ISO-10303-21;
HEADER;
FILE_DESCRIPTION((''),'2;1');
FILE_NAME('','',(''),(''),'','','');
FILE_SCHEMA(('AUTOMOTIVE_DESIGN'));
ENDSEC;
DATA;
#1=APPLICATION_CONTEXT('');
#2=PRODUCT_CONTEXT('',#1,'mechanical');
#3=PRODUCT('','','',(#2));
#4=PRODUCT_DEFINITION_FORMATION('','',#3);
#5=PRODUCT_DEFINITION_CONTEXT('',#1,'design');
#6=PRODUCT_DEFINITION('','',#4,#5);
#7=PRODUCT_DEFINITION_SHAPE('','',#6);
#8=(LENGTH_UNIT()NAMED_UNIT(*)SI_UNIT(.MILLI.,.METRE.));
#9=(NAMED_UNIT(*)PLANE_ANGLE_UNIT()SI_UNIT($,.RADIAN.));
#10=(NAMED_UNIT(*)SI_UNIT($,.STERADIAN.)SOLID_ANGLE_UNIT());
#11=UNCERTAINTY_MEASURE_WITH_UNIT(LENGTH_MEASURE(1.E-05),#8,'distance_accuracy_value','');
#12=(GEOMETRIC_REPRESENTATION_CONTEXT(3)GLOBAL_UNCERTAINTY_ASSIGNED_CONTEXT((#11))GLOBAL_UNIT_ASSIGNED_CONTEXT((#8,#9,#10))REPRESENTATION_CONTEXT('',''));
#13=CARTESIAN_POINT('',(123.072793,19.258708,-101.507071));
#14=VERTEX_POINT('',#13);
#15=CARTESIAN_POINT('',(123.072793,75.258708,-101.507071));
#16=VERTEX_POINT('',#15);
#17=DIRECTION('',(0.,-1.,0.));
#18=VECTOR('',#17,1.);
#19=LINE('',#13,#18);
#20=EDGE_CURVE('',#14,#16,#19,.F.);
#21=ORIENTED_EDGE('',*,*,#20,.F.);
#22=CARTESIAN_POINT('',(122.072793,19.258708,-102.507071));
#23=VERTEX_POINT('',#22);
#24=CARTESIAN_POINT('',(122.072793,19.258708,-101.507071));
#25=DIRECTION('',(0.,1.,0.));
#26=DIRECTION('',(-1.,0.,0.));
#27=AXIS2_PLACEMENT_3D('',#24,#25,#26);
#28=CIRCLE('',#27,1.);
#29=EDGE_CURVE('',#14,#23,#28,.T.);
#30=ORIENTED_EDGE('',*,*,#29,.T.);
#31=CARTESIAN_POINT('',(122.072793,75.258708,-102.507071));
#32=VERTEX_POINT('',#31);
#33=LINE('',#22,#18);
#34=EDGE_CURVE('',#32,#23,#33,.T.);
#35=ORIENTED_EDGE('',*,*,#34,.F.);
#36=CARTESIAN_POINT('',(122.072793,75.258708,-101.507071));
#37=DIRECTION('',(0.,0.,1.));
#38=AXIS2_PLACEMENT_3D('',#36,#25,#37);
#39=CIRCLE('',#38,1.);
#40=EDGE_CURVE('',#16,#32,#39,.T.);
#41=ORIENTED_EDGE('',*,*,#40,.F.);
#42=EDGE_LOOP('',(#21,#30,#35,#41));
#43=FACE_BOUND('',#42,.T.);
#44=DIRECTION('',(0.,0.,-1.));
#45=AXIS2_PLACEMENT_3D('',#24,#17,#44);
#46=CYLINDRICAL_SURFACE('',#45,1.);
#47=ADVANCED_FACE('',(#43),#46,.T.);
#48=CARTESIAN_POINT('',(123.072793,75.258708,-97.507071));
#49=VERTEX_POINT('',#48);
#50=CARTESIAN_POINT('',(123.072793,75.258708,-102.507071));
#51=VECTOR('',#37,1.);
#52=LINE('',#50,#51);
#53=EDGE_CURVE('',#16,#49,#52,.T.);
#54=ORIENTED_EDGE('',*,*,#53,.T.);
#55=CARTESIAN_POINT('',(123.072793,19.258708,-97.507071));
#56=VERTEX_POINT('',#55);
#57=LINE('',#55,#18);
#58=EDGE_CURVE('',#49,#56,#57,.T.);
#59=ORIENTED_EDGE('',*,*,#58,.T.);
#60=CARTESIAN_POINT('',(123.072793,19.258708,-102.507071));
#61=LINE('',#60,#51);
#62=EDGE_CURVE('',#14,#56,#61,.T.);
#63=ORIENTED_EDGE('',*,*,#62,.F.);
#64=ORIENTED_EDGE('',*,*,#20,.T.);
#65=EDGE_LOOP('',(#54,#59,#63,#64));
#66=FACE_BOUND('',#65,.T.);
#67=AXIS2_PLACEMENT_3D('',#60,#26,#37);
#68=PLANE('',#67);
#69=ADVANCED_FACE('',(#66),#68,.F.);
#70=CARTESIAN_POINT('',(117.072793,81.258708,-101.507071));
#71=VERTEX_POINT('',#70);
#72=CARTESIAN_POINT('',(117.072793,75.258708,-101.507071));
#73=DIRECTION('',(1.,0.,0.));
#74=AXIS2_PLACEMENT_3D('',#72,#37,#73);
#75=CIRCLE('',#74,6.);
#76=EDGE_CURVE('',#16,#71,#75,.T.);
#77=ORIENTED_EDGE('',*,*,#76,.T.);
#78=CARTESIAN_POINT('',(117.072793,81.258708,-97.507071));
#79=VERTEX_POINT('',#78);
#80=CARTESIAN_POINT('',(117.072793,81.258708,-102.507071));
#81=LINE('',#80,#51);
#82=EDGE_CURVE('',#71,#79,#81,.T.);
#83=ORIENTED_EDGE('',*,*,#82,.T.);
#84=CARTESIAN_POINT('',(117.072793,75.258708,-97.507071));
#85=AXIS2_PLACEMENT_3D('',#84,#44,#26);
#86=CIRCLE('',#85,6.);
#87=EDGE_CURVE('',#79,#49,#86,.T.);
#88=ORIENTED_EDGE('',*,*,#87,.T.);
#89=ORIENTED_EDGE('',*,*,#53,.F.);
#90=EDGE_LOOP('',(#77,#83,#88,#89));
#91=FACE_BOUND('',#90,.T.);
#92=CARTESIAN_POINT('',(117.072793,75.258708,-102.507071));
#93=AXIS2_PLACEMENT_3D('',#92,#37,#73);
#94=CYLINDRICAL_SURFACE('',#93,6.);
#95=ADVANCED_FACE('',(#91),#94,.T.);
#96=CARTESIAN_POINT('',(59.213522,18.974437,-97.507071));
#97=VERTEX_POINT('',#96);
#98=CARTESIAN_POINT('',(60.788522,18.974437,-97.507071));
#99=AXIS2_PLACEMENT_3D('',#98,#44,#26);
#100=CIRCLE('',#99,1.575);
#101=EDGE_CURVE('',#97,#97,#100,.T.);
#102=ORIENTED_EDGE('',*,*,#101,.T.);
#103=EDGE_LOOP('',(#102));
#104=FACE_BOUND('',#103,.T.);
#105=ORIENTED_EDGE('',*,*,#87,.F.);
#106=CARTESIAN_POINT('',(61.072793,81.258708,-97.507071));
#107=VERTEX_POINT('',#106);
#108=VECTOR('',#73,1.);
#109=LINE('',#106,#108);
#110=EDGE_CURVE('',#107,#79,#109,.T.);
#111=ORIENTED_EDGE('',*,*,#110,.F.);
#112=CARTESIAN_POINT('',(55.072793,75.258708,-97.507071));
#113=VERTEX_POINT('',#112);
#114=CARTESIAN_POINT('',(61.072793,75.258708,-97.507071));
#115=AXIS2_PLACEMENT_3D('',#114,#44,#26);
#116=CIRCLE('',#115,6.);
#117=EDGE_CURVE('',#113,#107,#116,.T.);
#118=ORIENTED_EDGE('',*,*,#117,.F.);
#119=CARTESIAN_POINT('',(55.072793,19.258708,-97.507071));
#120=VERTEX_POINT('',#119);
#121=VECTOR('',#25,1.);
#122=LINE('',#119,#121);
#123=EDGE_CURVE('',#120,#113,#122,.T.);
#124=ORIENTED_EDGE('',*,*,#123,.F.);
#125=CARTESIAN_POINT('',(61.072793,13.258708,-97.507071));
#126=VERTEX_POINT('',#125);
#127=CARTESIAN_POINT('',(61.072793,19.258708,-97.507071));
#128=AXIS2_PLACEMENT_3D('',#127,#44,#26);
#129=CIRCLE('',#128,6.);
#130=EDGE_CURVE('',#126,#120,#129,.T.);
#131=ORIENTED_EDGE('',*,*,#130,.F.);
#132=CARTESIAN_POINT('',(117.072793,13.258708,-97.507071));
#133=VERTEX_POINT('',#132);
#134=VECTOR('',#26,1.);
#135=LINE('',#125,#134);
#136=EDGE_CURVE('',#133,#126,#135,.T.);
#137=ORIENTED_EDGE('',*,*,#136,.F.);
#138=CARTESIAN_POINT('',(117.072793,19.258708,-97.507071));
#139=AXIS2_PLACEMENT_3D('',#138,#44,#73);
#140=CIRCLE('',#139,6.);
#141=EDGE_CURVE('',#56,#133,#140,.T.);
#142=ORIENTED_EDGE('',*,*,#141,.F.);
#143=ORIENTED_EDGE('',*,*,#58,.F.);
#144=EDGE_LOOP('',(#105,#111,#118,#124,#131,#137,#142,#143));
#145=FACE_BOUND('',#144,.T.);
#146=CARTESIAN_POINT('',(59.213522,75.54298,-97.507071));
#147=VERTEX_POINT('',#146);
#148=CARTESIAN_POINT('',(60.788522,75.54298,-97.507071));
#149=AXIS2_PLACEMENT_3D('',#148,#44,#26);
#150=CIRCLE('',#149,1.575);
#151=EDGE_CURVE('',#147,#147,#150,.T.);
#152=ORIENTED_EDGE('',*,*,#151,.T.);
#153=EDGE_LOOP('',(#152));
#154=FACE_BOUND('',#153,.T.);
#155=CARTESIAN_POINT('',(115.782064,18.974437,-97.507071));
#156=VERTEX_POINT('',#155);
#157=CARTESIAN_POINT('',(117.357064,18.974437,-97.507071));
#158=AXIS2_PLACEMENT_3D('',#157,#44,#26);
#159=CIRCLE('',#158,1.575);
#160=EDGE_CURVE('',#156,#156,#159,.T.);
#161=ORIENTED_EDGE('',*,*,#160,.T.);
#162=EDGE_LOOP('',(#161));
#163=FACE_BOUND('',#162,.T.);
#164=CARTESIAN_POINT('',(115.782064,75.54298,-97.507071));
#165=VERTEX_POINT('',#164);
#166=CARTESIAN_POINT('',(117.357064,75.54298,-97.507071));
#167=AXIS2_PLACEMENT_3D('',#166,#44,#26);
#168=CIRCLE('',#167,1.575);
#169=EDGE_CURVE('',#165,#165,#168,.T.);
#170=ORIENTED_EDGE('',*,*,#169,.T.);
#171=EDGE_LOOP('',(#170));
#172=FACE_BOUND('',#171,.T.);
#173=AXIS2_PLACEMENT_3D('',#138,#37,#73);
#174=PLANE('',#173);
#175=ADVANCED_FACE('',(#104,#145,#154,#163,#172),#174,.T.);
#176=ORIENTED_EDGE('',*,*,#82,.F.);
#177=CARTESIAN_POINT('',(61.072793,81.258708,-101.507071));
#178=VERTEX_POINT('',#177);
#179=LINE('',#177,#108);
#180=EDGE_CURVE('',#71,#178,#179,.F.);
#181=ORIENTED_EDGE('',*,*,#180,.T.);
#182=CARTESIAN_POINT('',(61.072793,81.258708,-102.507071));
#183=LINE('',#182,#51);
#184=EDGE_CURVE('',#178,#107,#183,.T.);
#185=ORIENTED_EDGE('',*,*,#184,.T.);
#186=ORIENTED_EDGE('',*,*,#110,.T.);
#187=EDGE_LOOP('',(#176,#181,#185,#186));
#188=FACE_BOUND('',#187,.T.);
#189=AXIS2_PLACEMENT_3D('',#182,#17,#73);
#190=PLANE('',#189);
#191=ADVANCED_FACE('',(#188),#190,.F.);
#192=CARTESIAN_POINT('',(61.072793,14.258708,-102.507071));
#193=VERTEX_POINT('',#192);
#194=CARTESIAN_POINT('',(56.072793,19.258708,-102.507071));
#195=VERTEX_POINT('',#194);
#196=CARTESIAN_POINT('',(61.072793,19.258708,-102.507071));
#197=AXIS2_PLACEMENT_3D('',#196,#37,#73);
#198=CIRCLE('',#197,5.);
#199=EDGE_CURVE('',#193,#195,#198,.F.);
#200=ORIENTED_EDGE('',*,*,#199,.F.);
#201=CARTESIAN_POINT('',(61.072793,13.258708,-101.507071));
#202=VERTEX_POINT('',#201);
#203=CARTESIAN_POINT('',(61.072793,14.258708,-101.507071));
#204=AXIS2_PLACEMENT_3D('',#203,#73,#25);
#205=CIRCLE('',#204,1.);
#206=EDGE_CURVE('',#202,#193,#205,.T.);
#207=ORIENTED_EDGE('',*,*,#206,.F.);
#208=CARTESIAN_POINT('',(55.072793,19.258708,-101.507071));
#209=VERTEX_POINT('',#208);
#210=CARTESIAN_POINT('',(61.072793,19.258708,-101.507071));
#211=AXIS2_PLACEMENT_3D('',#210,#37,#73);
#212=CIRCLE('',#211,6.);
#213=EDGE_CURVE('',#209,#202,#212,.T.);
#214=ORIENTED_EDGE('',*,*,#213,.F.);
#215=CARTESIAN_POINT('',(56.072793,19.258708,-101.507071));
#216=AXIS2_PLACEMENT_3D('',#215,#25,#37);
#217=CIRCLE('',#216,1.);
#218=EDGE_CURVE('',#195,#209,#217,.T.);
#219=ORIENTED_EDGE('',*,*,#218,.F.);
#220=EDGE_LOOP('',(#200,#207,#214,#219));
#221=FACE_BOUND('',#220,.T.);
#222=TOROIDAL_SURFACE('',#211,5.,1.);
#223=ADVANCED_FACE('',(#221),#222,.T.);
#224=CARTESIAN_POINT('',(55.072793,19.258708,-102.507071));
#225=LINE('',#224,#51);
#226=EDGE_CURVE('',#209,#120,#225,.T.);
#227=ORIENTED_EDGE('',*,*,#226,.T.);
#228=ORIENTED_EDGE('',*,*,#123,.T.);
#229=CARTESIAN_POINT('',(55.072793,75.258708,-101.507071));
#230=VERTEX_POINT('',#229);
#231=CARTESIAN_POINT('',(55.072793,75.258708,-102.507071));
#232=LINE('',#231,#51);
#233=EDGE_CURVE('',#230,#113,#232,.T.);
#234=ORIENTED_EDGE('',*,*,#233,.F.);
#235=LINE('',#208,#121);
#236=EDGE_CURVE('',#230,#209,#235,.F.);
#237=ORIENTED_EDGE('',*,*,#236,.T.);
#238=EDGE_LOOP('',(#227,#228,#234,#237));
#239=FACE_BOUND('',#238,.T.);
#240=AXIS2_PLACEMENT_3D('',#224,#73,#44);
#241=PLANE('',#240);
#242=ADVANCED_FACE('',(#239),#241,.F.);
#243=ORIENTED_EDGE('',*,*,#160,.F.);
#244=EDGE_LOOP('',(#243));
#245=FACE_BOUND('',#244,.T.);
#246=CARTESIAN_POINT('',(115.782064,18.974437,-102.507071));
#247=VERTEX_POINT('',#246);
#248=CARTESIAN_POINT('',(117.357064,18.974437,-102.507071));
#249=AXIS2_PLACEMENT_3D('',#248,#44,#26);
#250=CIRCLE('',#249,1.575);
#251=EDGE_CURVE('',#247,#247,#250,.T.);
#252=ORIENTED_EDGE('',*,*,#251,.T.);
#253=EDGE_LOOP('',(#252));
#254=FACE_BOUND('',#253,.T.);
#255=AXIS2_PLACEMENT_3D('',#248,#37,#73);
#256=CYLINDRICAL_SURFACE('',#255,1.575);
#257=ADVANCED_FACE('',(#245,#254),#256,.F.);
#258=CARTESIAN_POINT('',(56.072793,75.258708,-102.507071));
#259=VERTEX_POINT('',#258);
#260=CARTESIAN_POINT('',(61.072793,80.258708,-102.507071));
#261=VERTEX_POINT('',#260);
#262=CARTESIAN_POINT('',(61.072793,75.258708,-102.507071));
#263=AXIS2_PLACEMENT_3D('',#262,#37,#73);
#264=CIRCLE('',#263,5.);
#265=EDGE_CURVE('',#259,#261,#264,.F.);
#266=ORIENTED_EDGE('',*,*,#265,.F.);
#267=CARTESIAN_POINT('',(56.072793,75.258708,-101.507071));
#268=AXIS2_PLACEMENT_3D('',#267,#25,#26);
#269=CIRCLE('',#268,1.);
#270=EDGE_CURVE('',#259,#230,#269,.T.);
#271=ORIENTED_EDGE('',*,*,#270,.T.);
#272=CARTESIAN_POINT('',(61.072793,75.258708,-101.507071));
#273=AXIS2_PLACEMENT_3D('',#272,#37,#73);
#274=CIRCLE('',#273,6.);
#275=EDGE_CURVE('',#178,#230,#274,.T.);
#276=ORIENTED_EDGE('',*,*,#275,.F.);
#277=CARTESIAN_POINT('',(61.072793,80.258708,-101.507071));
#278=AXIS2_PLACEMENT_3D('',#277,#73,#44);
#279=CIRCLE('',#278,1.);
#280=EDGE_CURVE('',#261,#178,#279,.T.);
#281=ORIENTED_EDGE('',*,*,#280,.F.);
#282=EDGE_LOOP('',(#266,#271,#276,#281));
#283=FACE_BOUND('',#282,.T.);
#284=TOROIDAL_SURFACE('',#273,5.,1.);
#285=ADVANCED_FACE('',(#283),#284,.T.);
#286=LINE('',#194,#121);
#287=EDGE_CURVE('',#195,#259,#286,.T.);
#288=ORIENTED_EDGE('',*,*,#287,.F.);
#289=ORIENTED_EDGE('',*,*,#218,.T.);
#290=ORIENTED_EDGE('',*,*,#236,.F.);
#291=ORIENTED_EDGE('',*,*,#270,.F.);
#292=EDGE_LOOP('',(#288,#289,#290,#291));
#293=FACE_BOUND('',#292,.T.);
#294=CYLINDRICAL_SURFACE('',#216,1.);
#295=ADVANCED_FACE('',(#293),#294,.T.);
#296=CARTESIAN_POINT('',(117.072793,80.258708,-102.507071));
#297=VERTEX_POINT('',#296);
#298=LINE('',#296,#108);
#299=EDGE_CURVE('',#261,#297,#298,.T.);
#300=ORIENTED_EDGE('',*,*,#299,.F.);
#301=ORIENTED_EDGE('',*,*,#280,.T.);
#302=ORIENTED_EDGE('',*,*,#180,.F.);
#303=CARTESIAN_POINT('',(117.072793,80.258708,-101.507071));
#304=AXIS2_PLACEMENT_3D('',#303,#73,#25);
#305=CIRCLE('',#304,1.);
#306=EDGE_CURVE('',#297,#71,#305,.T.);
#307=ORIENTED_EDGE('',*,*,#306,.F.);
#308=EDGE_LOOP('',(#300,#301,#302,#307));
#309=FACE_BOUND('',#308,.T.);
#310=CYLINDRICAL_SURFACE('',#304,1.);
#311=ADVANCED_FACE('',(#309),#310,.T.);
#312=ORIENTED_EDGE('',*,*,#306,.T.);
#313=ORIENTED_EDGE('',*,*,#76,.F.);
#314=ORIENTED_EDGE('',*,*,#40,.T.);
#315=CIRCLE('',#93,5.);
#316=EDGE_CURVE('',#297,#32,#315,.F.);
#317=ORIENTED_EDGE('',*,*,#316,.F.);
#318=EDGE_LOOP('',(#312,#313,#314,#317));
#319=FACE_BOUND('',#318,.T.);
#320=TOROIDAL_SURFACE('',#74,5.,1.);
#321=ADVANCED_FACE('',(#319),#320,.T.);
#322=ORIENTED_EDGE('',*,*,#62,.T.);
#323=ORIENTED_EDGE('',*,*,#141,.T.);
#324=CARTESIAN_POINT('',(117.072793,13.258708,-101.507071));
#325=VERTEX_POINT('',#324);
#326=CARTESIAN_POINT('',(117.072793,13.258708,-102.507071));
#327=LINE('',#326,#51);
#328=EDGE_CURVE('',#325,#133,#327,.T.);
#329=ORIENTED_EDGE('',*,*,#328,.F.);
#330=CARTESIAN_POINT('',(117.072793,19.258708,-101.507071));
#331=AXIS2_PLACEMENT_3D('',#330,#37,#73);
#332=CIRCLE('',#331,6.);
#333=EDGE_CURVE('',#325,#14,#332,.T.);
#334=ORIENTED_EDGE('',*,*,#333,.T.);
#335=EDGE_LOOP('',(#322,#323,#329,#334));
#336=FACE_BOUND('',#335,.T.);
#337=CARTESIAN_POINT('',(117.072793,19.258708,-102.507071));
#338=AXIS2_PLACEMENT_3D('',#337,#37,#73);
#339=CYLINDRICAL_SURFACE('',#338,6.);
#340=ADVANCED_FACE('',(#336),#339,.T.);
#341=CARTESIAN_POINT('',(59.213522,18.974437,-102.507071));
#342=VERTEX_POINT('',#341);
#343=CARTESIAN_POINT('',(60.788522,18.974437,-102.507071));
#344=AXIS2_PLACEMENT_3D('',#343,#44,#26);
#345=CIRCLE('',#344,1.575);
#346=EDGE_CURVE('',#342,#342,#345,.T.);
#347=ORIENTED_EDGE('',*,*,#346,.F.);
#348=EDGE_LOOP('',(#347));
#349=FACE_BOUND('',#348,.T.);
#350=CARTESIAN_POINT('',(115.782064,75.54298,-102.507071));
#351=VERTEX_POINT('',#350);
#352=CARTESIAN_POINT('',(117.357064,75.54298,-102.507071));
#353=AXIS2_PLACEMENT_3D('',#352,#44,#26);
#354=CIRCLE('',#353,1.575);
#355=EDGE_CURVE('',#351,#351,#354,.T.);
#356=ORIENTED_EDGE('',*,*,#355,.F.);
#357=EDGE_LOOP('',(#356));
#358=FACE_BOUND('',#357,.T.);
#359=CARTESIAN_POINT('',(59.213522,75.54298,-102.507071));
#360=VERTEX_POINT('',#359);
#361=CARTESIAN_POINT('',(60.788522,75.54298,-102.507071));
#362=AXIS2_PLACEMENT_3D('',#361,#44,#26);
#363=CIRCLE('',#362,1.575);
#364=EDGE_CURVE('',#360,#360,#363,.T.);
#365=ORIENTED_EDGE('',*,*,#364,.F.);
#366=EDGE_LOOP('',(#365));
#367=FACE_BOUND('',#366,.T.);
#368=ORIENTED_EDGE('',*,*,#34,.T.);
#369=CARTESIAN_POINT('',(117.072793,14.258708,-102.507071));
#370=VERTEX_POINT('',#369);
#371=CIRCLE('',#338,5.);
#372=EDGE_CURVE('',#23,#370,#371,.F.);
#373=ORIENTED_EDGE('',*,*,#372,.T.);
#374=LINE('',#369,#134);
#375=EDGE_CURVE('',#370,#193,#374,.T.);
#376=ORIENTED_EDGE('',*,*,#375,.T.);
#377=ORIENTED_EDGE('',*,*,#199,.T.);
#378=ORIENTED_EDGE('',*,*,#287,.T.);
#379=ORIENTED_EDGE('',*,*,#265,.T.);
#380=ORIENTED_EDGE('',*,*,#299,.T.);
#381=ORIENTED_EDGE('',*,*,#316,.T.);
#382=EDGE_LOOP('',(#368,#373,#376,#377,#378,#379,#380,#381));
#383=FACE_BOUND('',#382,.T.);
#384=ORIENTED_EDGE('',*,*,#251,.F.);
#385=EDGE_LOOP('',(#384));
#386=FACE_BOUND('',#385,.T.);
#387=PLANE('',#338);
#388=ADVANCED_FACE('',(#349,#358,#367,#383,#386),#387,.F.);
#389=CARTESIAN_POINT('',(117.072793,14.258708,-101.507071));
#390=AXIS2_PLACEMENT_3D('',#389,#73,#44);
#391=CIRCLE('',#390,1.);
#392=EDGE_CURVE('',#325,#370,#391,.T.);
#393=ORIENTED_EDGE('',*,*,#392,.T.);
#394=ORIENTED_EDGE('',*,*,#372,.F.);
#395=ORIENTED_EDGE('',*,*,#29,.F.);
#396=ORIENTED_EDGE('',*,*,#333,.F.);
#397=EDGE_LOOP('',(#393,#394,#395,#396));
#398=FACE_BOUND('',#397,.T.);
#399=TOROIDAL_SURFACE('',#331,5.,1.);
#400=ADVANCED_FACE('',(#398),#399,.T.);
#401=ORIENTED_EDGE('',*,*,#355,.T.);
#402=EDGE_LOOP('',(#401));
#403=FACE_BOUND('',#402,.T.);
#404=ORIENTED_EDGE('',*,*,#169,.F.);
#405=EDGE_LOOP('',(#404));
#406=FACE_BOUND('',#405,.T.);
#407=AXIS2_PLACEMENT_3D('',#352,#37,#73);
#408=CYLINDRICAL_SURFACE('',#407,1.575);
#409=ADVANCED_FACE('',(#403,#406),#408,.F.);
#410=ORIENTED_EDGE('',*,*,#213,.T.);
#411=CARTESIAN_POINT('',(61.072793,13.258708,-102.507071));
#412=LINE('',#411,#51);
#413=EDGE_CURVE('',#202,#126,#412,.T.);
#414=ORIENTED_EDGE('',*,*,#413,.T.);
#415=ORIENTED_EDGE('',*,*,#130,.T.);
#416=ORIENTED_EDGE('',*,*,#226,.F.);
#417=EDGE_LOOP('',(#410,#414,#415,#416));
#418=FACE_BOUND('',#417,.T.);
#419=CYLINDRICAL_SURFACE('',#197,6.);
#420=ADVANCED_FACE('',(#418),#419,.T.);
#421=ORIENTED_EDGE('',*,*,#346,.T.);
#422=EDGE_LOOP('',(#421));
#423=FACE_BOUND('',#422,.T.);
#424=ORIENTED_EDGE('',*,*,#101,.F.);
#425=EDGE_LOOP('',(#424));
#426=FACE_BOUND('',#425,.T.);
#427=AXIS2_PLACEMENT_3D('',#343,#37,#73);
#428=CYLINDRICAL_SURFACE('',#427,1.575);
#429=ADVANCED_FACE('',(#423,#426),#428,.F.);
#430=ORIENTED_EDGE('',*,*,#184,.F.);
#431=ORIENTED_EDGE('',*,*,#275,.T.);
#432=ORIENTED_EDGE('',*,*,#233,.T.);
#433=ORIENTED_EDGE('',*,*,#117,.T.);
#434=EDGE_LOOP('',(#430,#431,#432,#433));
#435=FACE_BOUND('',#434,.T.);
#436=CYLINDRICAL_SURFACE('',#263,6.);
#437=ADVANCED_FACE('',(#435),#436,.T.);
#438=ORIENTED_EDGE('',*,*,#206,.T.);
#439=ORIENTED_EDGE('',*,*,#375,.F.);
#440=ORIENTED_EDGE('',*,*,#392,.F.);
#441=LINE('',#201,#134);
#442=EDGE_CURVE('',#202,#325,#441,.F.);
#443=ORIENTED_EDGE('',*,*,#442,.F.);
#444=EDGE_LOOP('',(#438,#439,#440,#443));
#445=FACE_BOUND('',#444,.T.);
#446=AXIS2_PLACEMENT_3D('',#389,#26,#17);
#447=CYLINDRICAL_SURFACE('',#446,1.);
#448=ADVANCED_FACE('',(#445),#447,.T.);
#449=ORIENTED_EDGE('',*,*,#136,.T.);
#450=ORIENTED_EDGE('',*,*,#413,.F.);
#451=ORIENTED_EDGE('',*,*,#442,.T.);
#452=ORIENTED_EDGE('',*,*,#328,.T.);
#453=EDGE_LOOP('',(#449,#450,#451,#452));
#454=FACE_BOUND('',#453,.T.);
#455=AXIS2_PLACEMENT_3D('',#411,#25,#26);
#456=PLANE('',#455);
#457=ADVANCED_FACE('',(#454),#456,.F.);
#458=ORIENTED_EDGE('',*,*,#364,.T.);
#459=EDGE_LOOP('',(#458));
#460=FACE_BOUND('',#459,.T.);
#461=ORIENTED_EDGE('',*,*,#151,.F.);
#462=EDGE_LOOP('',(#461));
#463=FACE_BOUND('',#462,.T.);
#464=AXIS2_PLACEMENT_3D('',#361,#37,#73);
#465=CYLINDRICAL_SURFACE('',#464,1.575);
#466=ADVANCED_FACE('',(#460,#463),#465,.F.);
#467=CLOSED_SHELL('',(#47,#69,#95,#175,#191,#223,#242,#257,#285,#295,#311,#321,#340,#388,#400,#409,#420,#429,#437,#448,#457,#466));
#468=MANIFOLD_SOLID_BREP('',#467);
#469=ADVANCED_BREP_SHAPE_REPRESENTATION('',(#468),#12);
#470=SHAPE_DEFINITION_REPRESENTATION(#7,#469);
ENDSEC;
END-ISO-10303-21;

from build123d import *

# Parameters (mm, degrees)
SKETCH1_R           = 1.575
BOSS_EXTRUDE1_DEPTH = 5
FILLET1_R           = 1


with BuildPart() as part:
    # Sketch1 → Boss-Extrude1 (new body)
    with BuildSketch(Plane(origin=(0, 0, -97.507071393), x_dir=(-1, 0, 0), z_dir=(0, 0, -1))):
        with BuildLine():
            Line((-61.072792821, 13.25870832), (-117.072792821, 13.25870832))
            ThreePointArc((-117.072792821, 13.25870832), (-121.315433508, 15.016067633), (-123.072792821, 19.25870832))
            Line((-123.072792821, 19.25870832), (-123.072792821, 75.25870832))
            ThreePointArc((-123.072792821, 75.25870832), (-121.315433508, 79.501349008), (-117.072792821, 81.25870832))
            Line((-117.072792821, 81.25870832), (-61.072792821, 81.25870832))
            ThreePointArc((-61.072792821, 81.25870832), (-56.830152134, 79.501349008), (-55.072792821, 75.25870832))
            Line((-55.072792821, 75.25870832), (-55.072792821, 19.25870832))
            ThreePointArc((-55.072792821, 19.25870832), (-56.830152134, 15.016067633), (-61.072792821, 13.25870832))
        make_face()
        with Locations((-117.357064069, 75.542979568)):
            Circle(SKETCH1_R, mode=Mode.SUBTRACT)
        with Locations((-60.788521574, 75.542979568)):
            Circle(SKETCH1_R, mode=Mode.SUBTRACT)
        with Locations((-60.788521574, 18.974437073)):
            Circle(SKETCH1_R, mode=Mode.SUBTRACT)
        with Locations((-117.357064069, 18.974437073)):
            Circle(SKETCH1_R, mode=Mode.SUBTRACT)
    extrude(amount=BOSS_EXTRUDE1_DEPTH)

    # Fillet1
    fillet1_edges = [part.edges().sort_by_distance(p)[0] for p in [
        (56.830152134, 15.016067633, -102.507071393),
        (55.072792821, 47.25870832, -102.507071393),
        (56.830152134, 79.501349008, -102.507071393),
        (89.072792821, 81.25870832, -102.507071393),
        (121.315433508, 79.501349008, -102.507071393),
        (123.072792821, 47.25870832, -102.507071393),
        (121.315433508, 15.016067633, -102.507071393),
        (89.072792821, 13.25870832, -102.507071393),
    ]]
    fillet(fillet1_edges, radius=FILLET1_R)


solid = part.part
